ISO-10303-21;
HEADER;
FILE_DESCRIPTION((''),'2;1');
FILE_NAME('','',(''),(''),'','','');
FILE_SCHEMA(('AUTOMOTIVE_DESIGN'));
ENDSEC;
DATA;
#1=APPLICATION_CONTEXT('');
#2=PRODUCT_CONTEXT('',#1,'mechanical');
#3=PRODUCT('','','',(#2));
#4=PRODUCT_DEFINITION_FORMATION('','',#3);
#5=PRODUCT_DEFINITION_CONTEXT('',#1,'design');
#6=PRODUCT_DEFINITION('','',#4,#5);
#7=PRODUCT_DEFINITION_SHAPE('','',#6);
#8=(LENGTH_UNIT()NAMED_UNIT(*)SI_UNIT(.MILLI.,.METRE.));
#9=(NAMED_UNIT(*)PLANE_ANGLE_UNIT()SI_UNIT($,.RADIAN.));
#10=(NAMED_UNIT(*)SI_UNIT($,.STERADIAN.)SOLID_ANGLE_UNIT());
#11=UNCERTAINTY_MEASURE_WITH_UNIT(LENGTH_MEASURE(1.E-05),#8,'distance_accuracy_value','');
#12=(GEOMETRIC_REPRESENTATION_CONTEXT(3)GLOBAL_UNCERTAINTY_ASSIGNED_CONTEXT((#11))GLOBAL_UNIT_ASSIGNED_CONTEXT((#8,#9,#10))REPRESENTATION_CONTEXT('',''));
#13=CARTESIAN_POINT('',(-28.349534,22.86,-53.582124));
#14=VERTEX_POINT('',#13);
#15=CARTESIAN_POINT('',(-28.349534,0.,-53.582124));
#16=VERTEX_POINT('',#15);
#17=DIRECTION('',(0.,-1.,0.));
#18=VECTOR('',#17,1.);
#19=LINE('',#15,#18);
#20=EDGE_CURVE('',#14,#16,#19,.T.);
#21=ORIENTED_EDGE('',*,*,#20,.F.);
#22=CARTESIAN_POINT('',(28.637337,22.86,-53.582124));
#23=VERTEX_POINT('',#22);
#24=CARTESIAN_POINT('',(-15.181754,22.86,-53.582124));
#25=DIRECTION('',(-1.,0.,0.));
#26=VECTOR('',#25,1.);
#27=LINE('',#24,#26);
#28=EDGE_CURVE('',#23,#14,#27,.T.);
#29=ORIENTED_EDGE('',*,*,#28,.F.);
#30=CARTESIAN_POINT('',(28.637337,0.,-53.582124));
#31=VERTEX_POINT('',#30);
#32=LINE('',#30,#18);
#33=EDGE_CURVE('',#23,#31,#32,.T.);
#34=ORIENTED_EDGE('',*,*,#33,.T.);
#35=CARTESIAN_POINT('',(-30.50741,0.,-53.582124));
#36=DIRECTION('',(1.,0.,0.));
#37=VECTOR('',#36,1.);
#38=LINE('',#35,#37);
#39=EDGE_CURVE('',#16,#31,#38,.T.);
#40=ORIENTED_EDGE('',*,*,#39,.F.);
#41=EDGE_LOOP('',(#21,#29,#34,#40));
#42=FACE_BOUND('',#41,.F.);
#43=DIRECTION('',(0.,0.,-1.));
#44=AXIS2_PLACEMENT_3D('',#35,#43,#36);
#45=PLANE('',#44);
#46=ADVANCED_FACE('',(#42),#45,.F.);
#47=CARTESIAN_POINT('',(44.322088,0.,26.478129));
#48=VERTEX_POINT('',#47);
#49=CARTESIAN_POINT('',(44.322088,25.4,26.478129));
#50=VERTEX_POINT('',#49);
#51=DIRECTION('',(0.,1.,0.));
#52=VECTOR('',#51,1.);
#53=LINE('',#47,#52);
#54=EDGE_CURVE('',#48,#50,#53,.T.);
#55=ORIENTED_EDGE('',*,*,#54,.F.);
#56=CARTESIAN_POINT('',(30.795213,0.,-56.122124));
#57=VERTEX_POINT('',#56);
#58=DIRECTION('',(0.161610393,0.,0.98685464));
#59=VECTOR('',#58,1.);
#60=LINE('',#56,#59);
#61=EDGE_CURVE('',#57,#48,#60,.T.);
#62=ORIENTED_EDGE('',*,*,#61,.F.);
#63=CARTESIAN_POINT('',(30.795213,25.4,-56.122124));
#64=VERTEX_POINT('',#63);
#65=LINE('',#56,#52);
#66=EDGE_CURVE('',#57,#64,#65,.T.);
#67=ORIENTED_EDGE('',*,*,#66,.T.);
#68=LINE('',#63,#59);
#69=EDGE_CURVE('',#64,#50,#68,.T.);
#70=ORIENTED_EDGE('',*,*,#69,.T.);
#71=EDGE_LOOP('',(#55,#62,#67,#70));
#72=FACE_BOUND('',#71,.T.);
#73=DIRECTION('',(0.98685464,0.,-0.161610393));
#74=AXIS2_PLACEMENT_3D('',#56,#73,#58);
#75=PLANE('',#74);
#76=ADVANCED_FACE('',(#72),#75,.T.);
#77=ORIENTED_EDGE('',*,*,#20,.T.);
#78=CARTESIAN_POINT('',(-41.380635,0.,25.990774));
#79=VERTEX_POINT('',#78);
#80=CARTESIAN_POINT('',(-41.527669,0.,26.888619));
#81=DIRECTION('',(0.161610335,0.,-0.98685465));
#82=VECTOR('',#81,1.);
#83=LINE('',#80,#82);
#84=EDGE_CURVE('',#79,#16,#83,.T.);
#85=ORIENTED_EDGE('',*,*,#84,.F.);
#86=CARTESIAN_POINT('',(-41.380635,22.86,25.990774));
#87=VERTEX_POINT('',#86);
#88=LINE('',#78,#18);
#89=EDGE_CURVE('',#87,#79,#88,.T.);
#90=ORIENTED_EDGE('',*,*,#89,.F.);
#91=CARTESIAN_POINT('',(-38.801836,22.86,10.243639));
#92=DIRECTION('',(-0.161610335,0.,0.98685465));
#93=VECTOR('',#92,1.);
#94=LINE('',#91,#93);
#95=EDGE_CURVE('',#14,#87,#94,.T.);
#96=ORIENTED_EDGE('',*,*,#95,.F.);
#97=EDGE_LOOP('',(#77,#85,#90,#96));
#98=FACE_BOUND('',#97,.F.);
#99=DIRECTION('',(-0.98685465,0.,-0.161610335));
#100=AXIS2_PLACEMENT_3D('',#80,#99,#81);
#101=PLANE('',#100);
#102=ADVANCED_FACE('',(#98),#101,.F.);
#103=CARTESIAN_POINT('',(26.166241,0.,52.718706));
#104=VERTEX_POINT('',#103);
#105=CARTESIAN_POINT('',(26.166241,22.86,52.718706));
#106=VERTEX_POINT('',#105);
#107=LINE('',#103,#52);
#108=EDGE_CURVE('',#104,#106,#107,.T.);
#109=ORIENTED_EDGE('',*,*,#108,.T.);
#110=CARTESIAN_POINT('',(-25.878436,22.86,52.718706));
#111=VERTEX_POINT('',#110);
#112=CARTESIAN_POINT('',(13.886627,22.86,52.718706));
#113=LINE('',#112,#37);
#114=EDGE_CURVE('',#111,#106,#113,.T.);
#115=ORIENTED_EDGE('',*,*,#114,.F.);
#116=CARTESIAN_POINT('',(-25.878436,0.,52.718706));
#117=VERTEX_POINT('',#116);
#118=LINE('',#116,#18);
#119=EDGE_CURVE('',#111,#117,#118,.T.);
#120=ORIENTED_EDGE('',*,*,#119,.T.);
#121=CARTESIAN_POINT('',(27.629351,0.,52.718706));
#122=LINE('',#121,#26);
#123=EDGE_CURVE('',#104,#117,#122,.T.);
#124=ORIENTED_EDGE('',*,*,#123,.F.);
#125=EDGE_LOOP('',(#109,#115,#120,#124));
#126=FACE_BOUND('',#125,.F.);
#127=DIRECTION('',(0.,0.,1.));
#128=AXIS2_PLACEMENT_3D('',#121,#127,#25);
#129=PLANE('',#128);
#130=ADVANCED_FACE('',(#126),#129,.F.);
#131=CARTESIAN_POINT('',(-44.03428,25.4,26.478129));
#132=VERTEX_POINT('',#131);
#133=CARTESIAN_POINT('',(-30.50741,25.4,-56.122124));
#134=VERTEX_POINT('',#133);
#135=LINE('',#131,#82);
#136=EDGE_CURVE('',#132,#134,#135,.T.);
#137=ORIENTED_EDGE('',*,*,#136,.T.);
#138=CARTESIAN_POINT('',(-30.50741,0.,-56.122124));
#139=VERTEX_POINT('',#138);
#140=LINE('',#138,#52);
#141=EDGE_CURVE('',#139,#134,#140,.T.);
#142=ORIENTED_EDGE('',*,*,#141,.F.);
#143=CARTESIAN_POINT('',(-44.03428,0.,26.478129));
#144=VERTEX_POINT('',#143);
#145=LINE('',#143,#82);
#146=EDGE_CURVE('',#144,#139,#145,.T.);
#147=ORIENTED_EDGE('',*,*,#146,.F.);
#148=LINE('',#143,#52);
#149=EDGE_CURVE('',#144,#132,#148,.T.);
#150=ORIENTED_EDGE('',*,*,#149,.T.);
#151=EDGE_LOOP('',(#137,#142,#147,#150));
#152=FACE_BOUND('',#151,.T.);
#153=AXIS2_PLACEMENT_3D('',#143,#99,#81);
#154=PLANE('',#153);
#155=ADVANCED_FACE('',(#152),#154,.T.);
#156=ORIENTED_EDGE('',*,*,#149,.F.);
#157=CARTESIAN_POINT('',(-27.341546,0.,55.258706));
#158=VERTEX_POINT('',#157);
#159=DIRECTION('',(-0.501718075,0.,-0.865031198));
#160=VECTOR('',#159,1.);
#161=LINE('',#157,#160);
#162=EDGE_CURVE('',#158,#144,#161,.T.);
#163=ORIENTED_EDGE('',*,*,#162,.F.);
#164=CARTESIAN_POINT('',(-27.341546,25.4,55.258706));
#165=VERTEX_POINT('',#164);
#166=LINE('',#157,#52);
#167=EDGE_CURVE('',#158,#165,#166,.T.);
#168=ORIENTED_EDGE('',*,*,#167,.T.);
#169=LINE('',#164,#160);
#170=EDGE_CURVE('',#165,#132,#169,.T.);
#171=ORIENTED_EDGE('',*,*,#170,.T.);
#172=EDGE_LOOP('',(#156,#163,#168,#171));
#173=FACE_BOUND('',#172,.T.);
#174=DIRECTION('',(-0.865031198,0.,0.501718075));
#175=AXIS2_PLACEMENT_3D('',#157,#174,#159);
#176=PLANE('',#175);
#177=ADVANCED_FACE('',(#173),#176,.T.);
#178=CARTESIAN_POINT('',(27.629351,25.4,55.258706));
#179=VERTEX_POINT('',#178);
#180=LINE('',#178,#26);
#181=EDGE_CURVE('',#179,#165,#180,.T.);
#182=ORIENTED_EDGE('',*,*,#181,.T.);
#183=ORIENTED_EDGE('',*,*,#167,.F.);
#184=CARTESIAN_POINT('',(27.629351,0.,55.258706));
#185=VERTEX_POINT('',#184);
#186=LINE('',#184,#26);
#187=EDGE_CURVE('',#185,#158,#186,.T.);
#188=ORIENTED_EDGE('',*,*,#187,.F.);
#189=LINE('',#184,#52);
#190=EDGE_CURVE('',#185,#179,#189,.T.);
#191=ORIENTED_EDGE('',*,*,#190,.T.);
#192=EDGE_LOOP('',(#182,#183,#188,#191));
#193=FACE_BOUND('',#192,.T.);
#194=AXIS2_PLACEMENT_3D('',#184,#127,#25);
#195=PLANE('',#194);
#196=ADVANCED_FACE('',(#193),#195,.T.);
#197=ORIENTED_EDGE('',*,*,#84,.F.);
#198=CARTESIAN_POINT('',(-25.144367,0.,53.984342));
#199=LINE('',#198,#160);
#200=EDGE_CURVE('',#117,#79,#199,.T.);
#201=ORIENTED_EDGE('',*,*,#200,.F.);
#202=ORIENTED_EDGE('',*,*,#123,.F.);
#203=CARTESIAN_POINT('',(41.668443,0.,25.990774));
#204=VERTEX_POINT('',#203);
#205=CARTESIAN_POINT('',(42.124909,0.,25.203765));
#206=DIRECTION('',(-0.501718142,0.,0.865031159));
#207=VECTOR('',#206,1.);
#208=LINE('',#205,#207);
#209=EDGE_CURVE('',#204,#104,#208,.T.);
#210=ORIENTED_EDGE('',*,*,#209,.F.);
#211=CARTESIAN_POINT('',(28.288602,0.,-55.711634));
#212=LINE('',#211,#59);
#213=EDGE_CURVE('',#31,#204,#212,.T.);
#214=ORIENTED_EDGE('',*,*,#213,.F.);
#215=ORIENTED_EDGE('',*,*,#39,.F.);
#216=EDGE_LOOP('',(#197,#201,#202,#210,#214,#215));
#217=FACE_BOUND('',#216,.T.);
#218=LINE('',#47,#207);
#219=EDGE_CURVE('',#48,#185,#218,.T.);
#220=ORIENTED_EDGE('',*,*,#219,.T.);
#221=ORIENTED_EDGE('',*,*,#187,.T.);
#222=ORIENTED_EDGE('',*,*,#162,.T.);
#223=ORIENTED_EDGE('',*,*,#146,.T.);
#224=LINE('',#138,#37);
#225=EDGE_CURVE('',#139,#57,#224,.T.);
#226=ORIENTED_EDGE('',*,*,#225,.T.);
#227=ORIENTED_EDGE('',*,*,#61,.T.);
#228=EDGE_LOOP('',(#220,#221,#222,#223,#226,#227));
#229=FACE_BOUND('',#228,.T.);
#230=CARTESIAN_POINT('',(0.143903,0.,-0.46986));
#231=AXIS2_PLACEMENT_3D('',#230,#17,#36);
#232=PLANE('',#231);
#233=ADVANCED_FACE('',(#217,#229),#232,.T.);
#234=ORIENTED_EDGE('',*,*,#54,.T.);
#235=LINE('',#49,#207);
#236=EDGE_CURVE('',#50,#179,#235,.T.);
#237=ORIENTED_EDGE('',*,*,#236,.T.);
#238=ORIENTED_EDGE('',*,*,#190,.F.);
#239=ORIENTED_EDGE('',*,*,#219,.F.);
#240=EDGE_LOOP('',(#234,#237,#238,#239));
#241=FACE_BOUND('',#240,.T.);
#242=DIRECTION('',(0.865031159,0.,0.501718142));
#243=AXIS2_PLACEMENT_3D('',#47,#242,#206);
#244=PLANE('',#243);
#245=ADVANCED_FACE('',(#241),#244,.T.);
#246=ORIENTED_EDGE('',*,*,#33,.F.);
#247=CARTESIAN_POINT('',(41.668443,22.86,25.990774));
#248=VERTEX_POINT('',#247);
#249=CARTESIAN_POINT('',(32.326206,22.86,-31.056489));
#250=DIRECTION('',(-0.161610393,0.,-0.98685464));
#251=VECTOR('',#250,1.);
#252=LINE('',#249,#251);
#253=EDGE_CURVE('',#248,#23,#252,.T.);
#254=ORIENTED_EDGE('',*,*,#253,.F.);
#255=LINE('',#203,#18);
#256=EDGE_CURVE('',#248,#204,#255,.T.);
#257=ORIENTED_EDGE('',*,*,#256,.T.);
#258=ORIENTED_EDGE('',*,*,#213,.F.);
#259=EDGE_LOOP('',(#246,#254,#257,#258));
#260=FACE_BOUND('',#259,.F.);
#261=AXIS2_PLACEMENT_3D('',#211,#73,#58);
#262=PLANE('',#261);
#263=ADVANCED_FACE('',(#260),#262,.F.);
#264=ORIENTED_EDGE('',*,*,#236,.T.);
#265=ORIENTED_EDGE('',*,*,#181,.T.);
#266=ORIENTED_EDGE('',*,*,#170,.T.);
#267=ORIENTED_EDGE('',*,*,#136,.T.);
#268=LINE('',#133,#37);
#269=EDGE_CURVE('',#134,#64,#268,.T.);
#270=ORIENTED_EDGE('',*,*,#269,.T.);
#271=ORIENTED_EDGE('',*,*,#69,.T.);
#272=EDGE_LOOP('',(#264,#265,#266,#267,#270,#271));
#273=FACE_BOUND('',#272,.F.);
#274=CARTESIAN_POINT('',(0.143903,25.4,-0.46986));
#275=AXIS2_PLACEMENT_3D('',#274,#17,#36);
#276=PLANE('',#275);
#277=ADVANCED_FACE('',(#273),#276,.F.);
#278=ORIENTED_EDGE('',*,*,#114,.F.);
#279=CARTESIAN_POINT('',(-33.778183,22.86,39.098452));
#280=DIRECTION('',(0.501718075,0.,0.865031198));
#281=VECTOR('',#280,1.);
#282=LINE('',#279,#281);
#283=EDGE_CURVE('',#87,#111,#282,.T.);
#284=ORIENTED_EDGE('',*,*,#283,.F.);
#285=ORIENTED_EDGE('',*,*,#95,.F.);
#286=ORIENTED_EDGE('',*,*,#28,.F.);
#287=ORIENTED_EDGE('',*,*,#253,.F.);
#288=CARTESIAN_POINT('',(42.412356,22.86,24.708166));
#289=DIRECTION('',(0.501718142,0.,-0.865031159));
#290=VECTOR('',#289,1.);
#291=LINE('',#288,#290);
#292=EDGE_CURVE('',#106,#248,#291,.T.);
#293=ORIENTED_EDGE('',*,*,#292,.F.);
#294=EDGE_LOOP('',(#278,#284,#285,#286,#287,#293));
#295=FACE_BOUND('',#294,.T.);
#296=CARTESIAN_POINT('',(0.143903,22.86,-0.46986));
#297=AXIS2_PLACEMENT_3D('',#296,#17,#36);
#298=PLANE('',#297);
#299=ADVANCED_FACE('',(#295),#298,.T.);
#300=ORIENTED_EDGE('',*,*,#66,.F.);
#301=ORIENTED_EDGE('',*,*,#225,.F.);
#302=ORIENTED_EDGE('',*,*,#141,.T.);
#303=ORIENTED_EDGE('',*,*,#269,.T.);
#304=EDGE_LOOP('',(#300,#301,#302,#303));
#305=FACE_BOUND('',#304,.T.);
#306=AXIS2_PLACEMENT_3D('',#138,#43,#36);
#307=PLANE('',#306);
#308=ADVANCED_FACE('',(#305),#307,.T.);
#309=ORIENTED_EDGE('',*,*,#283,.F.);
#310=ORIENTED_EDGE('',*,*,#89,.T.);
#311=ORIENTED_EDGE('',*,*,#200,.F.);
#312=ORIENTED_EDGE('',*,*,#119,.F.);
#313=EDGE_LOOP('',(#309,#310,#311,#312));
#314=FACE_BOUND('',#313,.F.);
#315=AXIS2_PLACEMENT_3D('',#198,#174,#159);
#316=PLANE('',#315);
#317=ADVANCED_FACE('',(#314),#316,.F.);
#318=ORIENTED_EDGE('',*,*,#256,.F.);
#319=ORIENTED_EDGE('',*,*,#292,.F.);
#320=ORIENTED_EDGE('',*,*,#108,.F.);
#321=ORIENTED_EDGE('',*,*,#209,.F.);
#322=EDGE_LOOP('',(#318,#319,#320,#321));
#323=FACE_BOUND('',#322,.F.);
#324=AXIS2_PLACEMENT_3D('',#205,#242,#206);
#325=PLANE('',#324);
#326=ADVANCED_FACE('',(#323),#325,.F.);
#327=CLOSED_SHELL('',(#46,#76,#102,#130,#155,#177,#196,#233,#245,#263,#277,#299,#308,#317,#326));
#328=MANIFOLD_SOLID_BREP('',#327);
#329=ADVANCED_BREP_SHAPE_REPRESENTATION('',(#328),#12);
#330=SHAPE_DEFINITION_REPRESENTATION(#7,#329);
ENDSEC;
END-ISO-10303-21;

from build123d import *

# Parameters (mm, degrees)
F2_DEPTH = 25.4
F3_T     = -2.54


with BuildPart() as f2:
    # F0 (on Front) → F2 (new body)
    with BuildSketch(Plane.XZ):
        Polygon((27.629351, 55.258706), (-27.341546, 55.258706), (-44.03428, 26.478129), (-30.50741, -56.122124), (30.795213, -56.122124), (44.322088, 26.478129), align=None)
    extrude(amount=-F2_DEPTH)

    # F3
    f3_openings = [f2.faces().sort_by_distance(p)[0] for p in [
        (0.143903, 0, 0.698193),
    ]]
    offset(amount=F3_T, openings=f3_openings)


solid = f2.part
